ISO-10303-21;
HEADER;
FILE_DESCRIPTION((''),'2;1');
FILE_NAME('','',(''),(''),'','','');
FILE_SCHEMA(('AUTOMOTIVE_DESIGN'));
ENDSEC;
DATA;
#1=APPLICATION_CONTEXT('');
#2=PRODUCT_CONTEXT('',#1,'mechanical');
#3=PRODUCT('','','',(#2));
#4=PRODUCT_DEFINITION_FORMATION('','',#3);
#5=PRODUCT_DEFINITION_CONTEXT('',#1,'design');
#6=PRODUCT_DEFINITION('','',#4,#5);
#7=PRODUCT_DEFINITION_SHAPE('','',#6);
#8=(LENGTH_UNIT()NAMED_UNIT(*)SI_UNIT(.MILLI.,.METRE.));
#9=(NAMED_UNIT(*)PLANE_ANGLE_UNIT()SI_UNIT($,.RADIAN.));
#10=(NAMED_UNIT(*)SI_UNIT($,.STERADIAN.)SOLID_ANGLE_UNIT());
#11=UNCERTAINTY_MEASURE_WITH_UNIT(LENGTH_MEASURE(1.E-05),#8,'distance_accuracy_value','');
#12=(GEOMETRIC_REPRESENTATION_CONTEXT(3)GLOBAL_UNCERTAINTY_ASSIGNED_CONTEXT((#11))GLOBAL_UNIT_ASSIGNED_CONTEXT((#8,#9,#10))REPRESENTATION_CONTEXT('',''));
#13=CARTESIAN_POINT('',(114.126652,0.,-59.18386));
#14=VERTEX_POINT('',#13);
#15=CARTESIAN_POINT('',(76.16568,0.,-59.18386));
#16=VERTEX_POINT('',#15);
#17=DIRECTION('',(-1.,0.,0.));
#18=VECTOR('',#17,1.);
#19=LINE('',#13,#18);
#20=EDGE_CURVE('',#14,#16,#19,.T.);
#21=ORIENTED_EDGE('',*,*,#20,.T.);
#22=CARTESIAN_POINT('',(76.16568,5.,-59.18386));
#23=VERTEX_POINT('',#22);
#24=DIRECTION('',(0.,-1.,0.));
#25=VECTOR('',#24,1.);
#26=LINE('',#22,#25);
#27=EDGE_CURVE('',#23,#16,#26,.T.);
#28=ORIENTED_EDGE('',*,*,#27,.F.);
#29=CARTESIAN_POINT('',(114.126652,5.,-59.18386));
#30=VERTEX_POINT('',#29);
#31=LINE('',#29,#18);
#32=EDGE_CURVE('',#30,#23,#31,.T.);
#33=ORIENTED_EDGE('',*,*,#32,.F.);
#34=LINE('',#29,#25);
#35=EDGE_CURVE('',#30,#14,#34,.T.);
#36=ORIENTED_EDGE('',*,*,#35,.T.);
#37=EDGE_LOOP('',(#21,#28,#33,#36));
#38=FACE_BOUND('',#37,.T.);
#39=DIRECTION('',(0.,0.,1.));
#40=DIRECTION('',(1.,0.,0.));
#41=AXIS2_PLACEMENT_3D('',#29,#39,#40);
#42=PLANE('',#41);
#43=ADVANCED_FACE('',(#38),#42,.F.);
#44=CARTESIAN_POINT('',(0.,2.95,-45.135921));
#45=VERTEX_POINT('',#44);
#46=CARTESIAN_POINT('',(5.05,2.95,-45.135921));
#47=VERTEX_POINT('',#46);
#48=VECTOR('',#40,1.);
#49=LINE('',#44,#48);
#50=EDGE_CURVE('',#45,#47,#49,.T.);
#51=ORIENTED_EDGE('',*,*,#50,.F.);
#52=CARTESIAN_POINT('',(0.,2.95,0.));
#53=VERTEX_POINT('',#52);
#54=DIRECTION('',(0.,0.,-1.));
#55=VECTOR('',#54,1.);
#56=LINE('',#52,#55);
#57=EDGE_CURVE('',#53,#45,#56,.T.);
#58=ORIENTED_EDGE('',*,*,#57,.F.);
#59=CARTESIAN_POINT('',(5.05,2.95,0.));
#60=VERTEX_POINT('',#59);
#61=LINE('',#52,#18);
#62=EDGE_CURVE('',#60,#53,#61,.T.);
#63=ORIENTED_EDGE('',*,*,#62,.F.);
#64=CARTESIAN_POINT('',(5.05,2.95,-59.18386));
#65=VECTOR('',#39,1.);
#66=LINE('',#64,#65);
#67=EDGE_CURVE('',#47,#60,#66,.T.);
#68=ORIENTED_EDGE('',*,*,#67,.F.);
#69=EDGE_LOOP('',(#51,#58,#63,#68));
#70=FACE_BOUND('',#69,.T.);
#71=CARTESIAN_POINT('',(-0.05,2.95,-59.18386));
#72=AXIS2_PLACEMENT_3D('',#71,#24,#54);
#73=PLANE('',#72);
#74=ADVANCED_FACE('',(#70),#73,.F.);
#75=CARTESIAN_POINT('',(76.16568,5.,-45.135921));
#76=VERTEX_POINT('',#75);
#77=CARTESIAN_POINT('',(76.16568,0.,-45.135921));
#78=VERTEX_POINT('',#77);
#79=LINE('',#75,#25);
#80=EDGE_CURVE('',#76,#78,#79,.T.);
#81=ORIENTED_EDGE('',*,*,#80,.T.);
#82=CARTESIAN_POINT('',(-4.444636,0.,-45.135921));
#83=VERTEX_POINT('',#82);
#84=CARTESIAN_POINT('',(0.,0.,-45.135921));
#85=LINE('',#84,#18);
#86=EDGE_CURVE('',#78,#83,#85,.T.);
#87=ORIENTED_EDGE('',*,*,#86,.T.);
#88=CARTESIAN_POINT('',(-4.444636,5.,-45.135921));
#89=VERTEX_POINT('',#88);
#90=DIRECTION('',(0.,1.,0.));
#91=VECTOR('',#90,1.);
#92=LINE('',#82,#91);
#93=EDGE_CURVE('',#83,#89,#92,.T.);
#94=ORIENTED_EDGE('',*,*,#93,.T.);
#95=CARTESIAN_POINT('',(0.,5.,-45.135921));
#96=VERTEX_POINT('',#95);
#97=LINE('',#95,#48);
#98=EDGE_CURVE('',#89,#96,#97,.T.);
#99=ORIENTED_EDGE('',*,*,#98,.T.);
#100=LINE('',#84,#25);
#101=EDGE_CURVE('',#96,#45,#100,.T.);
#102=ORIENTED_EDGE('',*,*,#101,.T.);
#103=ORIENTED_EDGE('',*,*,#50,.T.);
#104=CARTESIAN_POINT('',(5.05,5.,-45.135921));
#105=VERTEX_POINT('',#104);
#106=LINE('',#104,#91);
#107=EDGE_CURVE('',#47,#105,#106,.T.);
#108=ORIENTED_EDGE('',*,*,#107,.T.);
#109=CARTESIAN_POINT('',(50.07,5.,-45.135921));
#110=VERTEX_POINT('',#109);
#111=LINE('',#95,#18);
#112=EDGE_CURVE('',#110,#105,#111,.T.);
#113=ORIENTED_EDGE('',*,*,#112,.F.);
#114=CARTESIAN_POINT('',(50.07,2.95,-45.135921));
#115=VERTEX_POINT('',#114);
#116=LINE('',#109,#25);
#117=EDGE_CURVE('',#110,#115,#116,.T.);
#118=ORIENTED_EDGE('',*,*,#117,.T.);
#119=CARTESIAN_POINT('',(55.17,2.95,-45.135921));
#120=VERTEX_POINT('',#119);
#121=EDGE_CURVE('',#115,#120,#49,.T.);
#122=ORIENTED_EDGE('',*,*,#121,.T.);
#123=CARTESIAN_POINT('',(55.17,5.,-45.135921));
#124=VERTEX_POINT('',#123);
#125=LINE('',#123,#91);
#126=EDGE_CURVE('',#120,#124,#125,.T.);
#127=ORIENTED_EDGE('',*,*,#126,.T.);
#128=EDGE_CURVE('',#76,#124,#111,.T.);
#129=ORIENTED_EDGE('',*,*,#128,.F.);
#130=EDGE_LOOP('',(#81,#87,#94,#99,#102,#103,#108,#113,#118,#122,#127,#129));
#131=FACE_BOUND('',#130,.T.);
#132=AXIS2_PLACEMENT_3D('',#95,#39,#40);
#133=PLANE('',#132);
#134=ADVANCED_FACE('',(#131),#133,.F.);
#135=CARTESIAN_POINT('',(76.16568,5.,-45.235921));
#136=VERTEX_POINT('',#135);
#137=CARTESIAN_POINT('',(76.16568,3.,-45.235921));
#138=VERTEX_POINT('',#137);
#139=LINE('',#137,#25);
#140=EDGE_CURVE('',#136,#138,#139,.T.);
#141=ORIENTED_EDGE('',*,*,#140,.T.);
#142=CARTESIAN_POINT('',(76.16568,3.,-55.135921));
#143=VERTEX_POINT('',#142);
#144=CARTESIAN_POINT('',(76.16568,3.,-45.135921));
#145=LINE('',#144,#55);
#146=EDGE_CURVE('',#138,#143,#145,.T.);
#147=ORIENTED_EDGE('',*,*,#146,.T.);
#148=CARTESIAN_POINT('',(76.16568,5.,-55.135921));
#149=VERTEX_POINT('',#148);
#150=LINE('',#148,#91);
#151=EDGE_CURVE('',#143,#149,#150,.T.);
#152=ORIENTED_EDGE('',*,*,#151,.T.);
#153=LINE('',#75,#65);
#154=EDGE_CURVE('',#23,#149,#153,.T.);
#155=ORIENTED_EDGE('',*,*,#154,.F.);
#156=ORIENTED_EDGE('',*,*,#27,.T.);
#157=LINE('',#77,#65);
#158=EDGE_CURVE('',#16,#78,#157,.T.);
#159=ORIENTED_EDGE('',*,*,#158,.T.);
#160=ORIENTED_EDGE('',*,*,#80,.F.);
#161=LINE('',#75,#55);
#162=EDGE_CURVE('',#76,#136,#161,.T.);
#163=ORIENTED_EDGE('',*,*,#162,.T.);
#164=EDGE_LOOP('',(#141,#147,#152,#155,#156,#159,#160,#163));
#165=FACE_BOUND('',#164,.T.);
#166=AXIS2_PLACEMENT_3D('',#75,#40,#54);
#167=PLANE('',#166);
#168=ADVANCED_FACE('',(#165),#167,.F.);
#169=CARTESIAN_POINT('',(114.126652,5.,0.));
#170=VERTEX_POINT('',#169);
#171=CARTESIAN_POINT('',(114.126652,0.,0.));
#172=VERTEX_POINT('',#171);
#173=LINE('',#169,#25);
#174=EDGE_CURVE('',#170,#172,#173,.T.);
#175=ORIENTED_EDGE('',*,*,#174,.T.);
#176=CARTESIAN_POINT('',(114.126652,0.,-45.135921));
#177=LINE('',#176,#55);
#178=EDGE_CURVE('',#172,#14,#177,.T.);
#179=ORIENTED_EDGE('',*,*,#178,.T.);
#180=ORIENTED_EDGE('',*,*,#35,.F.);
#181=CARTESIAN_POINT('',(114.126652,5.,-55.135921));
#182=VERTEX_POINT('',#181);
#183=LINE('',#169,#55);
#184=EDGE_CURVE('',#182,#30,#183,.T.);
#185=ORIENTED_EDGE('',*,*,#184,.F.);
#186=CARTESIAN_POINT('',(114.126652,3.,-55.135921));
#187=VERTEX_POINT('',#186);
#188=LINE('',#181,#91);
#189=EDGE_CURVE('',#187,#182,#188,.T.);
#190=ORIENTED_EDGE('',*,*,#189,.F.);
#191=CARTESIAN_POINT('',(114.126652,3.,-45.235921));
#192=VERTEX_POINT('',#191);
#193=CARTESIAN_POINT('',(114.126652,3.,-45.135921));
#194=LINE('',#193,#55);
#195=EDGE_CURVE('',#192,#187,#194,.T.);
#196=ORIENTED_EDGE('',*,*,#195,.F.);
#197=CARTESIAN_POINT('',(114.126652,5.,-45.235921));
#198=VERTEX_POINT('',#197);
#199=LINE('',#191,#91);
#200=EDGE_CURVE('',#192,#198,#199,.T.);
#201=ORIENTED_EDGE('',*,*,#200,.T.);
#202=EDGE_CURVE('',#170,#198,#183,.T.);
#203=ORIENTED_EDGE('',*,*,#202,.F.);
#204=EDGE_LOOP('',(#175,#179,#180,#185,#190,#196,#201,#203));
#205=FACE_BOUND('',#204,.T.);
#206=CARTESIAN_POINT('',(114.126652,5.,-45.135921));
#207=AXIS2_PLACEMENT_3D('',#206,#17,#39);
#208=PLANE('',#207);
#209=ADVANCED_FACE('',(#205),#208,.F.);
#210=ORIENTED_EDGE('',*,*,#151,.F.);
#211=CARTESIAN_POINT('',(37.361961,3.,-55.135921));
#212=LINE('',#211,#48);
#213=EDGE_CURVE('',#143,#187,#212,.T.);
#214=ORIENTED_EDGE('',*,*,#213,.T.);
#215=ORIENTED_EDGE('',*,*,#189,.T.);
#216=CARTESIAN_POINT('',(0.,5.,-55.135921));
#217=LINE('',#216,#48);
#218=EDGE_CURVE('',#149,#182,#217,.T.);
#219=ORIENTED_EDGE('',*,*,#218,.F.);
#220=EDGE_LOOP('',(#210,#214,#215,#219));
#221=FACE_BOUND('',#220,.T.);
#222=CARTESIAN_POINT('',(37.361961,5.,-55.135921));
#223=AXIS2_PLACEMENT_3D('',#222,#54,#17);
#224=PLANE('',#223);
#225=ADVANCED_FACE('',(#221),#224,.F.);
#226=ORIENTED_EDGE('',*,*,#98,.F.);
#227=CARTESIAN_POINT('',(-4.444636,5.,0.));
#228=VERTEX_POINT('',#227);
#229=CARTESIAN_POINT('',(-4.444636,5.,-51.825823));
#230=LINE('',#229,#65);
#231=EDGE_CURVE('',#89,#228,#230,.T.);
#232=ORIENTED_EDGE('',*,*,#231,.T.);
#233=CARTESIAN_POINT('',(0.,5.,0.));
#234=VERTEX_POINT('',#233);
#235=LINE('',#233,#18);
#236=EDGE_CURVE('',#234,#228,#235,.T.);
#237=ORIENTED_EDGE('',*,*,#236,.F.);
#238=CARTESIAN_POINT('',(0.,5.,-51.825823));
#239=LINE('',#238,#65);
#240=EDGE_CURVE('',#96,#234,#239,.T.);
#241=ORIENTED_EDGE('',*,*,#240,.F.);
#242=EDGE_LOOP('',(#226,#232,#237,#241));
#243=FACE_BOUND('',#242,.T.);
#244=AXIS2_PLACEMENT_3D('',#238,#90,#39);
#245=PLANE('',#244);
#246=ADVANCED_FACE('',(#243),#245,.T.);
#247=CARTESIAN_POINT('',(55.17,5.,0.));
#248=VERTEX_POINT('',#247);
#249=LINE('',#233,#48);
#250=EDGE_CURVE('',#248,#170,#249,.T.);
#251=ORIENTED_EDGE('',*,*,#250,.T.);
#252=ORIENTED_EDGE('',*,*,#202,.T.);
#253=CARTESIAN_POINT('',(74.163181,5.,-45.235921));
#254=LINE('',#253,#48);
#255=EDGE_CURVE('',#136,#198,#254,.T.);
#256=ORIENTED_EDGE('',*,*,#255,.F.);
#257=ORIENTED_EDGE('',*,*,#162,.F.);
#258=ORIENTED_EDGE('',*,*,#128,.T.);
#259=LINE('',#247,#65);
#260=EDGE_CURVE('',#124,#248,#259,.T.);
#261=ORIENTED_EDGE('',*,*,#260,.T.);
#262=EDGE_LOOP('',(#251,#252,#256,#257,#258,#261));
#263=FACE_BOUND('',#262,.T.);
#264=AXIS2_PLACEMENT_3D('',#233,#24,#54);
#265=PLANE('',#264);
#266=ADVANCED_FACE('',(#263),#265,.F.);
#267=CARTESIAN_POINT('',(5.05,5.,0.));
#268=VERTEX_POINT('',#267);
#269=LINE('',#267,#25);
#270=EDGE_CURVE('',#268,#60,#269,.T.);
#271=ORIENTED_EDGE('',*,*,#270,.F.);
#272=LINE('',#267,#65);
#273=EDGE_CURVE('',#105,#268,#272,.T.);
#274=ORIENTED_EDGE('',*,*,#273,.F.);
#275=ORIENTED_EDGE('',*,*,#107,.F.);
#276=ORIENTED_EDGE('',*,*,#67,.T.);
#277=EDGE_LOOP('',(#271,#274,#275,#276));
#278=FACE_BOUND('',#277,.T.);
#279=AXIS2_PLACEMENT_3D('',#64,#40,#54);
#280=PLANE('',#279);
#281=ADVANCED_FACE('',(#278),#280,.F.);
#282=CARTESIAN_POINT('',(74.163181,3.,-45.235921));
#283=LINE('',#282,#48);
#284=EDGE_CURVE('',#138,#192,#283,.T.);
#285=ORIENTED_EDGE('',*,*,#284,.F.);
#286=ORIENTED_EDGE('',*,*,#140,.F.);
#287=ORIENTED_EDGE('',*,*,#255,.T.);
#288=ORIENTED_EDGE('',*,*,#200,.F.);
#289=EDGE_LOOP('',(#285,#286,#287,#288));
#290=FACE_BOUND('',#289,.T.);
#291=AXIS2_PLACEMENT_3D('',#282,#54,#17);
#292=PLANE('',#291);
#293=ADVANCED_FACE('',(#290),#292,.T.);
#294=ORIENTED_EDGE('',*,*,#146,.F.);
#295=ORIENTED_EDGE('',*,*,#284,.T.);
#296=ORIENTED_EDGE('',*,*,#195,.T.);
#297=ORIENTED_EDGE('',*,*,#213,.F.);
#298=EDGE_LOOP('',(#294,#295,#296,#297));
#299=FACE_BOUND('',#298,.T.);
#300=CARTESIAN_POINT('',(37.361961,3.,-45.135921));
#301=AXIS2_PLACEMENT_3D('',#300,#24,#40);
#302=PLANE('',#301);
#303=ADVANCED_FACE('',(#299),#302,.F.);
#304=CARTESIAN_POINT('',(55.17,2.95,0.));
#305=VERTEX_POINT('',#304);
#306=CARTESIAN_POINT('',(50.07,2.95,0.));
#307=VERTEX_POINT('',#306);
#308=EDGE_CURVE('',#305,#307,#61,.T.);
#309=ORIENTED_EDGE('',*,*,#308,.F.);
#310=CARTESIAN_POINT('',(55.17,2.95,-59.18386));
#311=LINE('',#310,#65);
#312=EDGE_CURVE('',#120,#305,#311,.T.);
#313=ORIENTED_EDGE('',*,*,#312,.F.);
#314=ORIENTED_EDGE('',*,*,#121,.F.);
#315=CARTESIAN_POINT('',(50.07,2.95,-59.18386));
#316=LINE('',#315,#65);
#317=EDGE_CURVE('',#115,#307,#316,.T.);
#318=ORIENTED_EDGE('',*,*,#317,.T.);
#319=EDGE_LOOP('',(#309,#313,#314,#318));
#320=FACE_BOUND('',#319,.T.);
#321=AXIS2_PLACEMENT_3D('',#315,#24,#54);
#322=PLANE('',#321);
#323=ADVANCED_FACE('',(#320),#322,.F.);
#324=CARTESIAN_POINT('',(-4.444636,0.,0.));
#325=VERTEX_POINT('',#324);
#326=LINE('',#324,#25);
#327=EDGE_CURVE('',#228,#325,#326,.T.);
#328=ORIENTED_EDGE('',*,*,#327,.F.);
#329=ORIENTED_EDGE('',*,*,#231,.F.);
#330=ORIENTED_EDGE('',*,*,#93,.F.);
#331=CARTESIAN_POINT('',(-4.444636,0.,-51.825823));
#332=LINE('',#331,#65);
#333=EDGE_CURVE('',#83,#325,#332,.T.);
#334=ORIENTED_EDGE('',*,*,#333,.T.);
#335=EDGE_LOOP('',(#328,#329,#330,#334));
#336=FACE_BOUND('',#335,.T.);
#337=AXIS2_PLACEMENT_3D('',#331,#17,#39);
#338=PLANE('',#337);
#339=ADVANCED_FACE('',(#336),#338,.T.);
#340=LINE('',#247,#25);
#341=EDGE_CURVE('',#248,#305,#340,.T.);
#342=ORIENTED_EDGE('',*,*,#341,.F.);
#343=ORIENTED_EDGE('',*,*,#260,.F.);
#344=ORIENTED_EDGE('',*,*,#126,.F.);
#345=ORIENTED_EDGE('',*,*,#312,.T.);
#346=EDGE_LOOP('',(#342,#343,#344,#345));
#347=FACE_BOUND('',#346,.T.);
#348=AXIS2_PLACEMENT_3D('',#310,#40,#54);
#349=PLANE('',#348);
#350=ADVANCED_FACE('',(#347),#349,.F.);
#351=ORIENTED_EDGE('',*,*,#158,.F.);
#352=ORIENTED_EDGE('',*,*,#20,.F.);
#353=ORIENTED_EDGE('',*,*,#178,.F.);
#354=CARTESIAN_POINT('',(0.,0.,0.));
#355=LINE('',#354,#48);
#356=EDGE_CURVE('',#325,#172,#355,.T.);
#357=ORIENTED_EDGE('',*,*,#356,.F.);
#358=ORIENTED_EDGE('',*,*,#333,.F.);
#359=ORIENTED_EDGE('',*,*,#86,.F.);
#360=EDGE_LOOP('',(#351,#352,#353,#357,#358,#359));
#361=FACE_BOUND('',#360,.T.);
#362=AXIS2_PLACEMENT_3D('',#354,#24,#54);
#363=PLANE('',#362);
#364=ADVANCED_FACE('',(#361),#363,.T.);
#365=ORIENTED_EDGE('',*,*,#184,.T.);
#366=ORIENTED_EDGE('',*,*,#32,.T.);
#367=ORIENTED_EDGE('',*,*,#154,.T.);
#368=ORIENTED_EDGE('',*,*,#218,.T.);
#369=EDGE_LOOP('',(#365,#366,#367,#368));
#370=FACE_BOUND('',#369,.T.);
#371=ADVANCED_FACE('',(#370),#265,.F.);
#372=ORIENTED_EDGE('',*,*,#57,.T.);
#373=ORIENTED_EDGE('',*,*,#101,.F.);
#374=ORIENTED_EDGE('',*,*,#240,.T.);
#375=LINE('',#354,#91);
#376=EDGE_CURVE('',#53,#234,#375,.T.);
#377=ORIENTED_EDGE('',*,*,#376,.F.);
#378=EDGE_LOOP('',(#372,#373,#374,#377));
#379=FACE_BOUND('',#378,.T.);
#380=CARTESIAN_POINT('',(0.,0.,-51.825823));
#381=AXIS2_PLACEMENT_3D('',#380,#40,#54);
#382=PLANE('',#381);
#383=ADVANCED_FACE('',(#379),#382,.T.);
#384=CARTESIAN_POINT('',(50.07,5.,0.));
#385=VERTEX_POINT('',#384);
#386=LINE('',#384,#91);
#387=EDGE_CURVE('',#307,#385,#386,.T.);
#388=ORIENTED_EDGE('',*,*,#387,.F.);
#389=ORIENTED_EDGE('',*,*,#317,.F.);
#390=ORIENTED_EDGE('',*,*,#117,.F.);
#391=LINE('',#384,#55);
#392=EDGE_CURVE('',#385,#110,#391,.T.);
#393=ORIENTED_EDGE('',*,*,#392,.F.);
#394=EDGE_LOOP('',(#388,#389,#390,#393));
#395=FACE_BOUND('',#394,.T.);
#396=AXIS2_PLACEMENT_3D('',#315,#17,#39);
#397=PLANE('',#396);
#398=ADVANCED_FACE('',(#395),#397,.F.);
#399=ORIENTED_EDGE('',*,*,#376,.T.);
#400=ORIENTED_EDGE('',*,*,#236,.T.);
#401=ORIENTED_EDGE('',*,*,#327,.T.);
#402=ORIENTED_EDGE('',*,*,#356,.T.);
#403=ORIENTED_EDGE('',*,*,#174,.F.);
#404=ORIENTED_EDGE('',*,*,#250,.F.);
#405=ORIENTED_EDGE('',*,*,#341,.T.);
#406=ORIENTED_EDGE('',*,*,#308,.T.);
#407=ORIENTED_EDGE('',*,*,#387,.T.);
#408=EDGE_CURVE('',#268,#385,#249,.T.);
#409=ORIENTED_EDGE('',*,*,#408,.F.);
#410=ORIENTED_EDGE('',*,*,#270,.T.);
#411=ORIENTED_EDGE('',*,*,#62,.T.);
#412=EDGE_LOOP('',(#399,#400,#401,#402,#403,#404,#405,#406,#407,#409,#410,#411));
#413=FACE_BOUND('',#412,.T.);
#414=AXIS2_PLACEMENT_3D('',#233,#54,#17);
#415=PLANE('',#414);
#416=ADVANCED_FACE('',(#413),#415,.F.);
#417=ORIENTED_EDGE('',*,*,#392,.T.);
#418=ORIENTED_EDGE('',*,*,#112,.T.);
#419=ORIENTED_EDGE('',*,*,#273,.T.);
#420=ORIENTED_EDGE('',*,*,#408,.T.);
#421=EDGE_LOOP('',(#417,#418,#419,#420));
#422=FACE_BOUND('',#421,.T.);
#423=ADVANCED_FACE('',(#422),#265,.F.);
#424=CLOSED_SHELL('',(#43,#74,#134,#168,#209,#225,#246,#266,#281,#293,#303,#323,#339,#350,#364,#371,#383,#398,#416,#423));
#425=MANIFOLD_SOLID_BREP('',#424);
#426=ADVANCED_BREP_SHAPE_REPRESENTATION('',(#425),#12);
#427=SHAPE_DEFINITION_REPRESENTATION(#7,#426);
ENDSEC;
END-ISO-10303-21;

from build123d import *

# Parameters (mm, degrees)
BOSS_EXTRUDE1_DEPTH     = 5
SKETCH2_W               = 5.1
SKETCH2_H               = 2.05
CUT_EXTRUDE1_DEPTH      = 1
CUT_EXTRUDE1_DEPTH_BACK = 60.1838596
CUT_EXTRUDE2_REACH      = 116.127
SKETCH3_W               = 10
SKETCH3_H               = 2
SKETCH4_W               = 4.444636185
SKETCH4_H               = 5
BOSS_EXTRUDE2_DEPTH     = 45.135921
SKETCH5_W               = 0.1
SKETCH5_H               = 2
BOSS_EXTRUDE3_DEPTH     = 37.960973


with BuildPart() as part:
    # Sketch1 → Boss-Extrude1 (new body)
    with BuildSketch(Plane(origin=(0, 0, 0), x_dir=(1, 0, 0), z_dir=(0, 1, 0))):
        Polygon((0, 0), (114.126652136, 0), (114.126652136, 45.135921053), (114.126652136, 59.1838596), (76.165679632, 59.1838596), (76.165679632, 45.135921053), (0, 45.135921053), align=None)
    extrude(amount=BOSS_EXTRUDE1_DEPTH)

    # Sketch2 → Cut-Extrude1 (cut, two sides)
    with BuildSketch(Plane.XY) as cut_extrude1_sk:
        with Locations((2.5, 3.975)):
            Rectangle(SKETCH2_W, SKETCH2_H)
        with Locations((52.62, 3.975)):
            Rectangle(SKETCH2_W, SKETCH2_H)
    extrude(amount=CUT_EXTRUDE1_DEPTH, mode=Mode.SUBTRACT)
    extrude(cut_extrude1_sk.sketch, amount=-CUT_EXTRUDE1_DEPTH_BACK, mode=Mode.SUBTRACT)

    # Sketch3 → Cut-Extrude2 (cut, up to next)
    with BuildSketch(Plane(origin=(114.126652136, -2e-09, 0), x_dir=(0, 0, -1), z_dir=(1, 0, 0)), mode=Mode.PRIVATE) as cut_extrude2_sk1:
        with Locations((50.135921053, 4.000000002)):
            Rectangle(SKETCH3_W, SKETCH3_H)
    cut_extrude2_tool1 = extrude(cut_extrude2_sk1.sketch, amount=-CUT_EXTRUDE2_REACH, mode=Mode.PRIVATE) & part.part
    add(cut_extrude2_tool1.solids().sort_by_distance((114.126652, 4, -50.135921))[0], mode=Mode.SUBTRACT)

    # Sketch4 → Boss-Extrude2 (add)
    with BuildSketch(Plane.XY):
        with Locations((-2.222318093, 2.5)):
            Rectangle(SKETCH4_W, SKETCH4_H)
    extrude(amount=-BOSS_EXTRUDE2_DEPTH)

    # Sketch5 → Boss-Extrude3 (add)
    with BuildSketch(Plane(origin=(114.126652136, 0, 0), x_dir=(0, 0, -1), z_dir=(1, 0, 0))):
        with Locations((45.185921053, 4)):
            Rectangle(SKETCH5_W, SKETCH5_H)
    extrude(amount=-BOSS_EXTRUDE3_DEPTH)


solid = part.part
